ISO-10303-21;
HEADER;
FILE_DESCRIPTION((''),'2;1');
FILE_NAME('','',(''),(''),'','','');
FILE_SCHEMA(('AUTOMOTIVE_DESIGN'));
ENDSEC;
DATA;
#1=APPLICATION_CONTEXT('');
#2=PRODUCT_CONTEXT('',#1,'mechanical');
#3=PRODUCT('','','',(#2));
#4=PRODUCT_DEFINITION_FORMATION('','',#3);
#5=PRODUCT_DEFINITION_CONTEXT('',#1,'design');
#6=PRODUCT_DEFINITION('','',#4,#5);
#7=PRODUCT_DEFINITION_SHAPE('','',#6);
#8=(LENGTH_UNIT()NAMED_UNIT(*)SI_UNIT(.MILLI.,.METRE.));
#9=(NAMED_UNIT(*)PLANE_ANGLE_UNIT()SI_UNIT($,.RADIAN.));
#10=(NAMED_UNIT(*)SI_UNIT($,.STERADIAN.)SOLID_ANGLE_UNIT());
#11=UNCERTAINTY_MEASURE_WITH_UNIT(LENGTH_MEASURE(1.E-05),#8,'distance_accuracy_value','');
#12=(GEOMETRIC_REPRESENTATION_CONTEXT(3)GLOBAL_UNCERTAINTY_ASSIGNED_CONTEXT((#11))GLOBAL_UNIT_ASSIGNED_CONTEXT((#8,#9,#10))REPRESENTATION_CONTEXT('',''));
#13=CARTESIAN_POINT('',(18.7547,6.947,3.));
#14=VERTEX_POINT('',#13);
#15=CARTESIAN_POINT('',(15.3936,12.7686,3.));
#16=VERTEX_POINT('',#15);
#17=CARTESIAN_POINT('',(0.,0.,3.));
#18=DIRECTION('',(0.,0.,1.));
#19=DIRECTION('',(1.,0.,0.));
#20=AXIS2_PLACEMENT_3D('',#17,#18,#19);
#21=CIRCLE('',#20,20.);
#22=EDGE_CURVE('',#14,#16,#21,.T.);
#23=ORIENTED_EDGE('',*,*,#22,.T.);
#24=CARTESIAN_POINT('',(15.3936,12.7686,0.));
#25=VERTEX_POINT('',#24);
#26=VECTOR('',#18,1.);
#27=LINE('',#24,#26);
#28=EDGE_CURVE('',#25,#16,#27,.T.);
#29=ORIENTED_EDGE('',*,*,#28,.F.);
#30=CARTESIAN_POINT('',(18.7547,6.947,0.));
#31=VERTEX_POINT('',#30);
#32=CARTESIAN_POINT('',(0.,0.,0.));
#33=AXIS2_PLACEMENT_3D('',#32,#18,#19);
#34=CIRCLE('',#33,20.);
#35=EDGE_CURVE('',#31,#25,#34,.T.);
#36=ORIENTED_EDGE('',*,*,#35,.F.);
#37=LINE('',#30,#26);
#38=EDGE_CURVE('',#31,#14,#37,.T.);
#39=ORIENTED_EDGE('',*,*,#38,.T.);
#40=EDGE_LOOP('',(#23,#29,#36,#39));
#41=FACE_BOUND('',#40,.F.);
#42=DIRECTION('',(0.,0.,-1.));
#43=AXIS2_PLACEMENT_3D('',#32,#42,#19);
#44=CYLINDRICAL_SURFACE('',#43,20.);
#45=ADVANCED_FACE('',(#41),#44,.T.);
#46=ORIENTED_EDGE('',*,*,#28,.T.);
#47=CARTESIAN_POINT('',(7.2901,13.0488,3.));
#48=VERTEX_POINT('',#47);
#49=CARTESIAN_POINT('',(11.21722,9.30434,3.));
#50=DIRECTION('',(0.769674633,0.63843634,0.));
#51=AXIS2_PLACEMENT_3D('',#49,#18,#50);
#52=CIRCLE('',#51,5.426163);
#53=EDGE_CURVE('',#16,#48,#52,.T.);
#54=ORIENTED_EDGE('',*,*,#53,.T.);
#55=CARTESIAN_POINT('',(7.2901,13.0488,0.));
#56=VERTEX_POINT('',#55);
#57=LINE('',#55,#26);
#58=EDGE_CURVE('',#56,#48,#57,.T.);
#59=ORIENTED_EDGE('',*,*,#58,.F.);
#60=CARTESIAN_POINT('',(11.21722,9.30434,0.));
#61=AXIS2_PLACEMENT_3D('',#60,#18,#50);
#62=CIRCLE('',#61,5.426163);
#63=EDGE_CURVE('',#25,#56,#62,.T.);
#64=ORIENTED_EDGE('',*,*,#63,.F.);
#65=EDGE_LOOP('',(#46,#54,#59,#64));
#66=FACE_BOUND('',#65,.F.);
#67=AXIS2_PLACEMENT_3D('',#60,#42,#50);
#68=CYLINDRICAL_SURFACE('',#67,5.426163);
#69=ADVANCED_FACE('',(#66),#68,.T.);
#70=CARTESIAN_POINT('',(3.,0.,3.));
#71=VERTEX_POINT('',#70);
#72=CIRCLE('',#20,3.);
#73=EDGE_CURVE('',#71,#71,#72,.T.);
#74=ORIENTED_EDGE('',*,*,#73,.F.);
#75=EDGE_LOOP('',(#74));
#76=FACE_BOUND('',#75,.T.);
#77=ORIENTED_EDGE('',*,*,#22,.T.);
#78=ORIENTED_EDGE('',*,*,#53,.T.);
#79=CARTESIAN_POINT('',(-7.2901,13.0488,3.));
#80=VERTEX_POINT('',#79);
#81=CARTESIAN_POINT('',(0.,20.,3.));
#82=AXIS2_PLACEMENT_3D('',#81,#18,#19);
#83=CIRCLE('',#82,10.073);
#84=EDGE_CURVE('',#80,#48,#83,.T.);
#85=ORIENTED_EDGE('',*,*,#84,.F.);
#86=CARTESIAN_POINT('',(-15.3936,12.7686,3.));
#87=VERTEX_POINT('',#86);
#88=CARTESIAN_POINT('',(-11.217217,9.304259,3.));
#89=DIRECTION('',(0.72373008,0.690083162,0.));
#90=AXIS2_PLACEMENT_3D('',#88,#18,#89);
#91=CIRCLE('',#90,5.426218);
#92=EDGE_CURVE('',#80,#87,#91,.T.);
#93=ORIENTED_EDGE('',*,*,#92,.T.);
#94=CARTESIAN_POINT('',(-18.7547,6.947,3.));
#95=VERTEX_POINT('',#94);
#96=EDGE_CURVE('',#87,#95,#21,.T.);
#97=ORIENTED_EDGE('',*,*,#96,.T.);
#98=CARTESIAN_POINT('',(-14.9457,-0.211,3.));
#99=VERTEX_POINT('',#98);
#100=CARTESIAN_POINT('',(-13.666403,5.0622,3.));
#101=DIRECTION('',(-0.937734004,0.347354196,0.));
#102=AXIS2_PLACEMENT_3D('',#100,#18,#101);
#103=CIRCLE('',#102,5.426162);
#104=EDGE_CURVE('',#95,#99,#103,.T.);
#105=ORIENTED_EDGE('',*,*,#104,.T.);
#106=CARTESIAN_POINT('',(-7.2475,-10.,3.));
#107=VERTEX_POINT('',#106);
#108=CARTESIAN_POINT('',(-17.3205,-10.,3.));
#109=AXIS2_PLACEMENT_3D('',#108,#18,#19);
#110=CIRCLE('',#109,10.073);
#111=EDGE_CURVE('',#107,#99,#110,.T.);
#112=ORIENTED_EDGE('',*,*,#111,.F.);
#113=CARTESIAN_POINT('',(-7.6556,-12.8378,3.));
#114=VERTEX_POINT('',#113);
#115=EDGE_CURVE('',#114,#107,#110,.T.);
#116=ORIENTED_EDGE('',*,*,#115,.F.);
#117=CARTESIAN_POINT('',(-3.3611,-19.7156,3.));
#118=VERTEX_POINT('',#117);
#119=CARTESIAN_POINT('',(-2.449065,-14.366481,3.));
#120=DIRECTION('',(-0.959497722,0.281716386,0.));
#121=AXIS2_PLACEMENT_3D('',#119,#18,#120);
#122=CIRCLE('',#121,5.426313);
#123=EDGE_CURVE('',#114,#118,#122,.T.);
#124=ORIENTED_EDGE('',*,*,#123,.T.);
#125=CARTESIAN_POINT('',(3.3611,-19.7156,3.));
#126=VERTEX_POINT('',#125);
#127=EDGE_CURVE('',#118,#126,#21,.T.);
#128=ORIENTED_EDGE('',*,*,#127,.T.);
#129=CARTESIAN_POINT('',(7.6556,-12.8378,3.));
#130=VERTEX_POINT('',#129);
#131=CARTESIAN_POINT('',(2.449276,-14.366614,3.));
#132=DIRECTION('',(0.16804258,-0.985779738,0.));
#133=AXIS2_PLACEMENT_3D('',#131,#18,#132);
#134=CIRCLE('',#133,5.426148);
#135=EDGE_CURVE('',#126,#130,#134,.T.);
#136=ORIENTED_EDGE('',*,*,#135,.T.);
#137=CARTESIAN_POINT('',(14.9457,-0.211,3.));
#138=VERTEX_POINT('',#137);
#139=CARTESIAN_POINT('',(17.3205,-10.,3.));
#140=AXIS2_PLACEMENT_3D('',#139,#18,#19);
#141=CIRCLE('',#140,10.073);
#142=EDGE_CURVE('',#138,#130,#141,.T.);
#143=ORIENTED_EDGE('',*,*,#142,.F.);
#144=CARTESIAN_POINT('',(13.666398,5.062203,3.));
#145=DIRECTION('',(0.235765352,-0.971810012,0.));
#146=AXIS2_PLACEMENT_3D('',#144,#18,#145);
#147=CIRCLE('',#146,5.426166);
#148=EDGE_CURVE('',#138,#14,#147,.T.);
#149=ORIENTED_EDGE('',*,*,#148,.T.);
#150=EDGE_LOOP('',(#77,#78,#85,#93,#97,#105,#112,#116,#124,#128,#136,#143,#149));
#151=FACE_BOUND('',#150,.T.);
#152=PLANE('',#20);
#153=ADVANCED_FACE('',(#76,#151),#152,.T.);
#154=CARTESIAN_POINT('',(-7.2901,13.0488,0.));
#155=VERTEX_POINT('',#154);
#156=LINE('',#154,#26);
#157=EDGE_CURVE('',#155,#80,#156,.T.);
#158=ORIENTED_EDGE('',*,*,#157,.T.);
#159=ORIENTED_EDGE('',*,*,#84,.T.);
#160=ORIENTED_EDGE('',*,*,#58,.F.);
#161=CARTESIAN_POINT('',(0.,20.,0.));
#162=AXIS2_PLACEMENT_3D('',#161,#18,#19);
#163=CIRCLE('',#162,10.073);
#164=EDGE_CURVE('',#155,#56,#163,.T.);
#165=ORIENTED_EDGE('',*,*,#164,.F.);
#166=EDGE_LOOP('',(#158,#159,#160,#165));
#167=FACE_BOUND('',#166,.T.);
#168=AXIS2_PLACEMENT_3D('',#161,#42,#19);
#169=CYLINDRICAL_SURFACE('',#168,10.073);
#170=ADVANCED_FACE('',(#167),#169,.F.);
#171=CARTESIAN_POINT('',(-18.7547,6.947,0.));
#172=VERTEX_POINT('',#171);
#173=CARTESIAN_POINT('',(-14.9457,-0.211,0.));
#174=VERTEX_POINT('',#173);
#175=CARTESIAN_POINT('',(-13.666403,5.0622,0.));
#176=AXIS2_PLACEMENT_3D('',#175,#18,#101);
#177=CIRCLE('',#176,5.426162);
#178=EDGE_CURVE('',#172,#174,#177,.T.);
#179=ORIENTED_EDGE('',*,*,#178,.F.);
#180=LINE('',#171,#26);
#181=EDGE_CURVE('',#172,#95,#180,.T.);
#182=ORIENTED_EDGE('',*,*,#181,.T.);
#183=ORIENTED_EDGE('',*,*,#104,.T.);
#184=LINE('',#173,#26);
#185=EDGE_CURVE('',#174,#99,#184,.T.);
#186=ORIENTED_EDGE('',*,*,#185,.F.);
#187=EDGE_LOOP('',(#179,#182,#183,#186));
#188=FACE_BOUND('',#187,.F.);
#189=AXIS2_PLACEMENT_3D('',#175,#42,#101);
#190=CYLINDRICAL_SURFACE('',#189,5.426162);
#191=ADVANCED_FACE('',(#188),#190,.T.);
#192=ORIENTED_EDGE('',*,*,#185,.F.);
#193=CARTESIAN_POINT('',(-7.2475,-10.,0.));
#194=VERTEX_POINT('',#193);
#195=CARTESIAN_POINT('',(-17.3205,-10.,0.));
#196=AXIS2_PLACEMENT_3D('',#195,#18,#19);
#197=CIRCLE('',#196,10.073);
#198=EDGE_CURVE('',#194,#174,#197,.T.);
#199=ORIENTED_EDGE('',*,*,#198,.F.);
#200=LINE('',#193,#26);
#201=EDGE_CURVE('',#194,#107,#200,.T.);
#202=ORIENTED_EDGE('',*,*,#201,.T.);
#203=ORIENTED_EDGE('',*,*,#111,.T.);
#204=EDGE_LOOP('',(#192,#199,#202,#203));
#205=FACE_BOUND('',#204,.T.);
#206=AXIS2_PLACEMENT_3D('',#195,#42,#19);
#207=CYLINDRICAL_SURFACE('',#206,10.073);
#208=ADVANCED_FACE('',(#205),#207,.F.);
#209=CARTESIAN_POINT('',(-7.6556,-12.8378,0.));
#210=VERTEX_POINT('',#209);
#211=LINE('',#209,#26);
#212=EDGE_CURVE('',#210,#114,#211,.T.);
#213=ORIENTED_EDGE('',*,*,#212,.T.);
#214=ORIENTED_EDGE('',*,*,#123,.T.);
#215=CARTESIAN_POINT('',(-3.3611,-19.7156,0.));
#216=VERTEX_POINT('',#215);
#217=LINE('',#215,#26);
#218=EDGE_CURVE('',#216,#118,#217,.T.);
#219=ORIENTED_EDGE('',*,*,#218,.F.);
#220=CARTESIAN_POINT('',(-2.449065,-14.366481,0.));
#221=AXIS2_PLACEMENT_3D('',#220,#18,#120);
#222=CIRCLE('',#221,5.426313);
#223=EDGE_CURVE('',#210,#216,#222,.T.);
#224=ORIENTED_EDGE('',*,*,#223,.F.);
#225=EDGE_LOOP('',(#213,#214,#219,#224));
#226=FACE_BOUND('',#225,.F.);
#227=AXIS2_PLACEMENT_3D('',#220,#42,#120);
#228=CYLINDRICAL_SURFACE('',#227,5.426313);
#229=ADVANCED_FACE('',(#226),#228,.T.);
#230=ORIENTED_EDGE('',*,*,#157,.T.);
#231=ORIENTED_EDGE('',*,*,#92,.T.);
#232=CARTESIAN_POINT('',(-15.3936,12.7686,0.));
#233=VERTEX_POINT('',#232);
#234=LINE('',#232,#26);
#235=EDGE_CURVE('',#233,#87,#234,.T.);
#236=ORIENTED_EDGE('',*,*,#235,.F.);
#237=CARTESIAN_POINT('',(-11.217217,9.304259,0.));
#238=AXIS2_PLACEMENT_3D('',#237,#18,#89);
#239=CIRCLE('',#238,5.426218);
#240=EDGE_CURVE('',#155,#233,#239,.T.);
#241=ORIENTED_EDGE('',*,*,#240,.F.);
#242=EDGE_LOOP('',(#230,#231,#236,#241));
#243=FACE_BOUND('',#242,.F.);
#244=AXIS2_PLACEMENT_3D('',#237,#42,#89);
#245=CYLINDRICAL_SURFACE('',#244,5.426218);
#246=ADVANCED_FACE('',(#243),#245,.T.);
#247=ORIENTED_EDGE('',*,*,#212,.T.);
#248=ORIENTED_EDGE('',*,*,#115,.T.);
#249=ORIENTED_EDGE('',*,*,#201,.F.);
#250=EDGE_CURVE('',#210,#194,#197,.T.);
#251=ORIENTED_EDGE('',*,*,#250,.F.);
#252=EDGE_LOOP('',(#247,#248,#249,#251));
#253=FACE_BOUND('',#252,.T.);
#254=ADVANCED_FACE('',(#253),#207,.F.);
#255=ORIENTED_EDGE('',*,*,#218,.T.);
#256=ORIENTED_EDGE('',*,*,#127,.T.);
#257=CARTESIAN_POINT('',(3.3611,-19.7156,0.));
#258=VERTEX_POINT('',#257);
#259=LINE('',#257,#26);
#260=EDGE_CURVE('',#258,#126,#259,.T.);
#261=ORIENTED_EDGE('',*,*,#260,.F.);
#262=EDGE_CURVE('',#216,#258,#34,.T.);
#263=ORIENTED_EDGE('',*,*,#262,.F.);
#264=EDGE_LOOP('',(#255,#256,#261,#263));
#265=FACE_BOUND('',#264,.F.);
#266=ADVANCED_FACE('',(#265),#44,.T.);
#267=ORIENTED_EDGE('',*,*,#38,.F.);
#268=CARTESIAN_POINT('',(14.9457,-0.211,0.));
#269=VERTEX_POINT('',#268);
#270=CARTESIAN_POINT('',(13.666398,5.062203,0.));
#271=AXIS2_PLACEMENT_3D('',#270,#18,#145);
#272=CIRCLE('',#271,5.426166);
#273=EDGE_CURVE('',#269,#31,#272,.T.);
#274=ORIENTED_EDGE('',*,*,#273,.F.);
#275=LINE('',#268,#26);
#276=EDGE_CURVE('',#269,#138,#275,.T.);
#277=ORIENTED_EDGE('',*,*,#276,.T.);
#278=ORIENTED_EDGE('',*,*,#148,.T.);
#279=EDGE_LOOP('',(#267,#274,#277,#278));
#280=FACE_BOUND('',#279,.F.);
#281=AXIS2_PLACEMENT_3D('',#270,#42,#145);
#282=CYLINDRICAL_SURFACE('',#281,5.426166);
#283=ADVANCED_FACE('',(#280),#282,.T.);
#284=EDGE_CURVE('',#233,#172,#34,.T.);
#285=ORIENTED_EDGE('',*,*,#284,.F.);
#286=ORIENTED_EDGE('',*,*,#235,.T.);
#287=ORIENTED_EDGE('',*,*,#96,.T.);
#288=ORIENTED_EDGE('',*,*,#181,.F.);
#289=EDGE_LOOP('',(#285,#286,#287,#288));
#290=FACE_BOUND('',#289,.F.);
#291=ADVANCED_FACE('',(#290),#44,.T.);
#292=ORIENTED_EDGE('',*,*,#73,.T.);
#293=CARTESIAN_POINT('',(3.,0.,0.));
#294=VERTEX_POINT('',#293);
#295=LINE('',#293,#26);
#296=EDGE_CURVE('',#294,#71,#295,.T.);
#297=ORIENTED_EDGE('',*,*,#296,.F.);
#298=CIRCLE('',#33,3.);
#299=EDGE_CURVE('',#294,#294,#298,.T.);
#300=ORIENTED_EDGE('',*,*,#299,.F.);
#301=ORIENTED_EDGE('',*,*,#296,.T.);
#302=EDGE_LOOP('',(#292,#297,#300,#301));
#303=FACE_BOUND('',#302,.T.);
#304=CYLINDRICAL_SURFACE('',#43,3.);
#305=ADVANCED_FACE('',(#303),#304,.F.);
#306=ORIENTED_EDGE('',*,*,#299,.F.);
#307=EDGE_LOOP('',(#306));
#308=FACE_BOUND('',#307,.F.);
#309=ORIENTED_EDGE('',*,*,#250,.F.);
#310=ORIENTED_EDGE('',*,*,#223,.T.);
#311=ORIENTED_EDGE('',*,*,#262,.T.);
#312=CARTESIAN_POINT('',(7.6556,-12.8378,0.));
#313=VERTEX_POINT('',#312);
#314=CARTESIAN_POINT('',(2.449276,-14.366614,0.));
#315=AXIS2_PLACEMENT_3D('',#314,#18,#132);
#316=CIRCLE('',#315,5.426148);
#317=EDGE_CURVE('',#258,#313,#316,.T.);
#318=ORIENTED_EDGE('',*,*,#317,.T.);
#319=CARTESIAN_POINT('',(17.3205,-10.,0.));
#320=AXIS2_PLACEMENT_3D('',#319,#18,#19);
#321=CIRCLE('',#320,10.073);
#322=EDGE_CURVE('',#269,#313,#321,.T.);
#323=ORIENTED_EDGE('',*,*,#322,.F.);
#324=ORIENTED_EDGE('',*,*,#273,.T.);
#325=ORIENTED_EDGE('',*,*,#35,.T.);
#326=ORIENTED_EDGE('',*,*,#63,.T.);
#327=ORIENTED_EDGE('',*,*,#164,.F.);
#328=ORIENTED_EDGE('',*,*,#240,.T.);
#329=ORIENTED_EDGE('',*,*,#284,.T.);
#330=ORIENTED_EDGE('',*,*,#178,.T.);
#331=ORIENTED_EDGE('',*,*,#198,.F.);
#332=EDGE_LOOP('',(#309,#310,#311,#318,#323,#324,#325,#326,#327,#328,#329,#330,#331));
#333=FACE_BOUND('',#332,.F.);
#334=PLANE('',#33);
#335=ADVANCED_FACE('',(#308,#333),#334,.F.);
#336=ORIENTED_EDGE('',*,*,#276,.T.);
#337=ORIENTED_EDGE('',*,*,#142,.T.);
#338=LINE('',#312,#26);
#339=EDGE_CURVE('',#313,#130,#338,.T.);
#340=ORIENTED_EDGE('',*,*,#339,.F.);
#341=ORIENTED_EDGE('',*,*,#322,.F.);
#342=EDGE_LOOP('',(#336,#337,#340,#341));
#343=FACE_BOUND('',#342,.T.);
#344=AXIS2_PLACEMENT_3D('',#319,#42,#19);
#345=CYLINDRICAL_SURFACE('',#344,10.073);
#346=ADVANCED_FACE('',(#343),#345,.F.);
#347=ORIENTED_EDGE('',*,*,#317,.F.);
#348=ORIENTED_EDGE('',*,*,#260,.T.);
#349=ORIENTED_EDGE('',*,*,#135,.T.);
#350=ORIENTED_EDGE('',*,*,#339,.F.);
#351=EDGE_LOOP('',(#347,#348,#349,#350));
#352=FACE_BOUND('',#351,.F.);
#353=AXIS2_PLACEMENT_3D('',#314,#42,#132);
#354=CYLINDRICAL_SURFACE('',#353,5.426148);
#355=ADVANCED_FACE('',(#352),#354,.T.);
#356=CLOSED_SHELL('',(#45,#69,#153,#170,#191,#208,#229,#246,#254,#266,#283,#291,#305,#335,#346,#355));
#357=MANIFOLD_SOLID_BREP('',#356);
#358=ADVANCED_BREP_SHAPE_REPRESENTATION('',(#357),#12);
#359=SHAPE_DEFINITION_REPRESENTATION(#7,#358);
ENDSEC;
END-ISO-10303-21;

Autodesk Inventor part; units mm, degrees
ref_plane "YZ Plane" through (0, 0, 0) normal (1, 0, 0) x (0, 1, 0)
ref_plane "XZ Plane" through (0, 0, 0) normal (0, 1, 0) x (-1, 0, 0)
ref_plane "XY Plane" through (0, 0, 0) normal (0, 0, 1) x (1, 0, 0)
sketch "Sketch1" plane through (0, 0, 0) normal (0, 0, 1) x (1, 0, 0)
  circle A0 centre (0, 0) radius 3
  circle A1 centre (0, 0) radius 20
  circle A2 centre (0, 20) radius 10.073
  circle A3 centre (-17.3205, -10) radius 10.073
  circle A4 centre (17.3205, -10) radius 10.073
  arc A5 (-7.2901, 13.0488) -> (-15.3936, 12.7686) centre (-11.2172, 9.3043) ccw
  line L0 (0, 39.6436) -> (0, 33.3002) construction
  arc A6 (15.3936, 12.7686) -> (7.2901, 13.0488) centre (11.2172, 9.3043) ccw
  arc A7 (-7.6556, -12.8378) -> (-3.3611, -19.7156) centre (-2.4492, -14.3665) ccw
  arc A8 (-18.7547, 6.947) -> (-14.9457, -0.211) centre (-13.6664, 5.0622) ccw
  arc A9 (14.9457, -0.211) -> (18.7547, 6.947) centre (13.6664, 5.0622) ccw
  arc A10 (3.3611, -19.7156) -> (7.6556, -12.8378) centre (2.4492, -14.3665) ccw
  line L1 (0, 9.927) -> (-4.2832, 9.927) construction
  point P0 (7.3052, 13.0646)
  point P1 (-13.6431, 13.6431)
  point P2 (-14.9669, -0.2058)
  point P3 (-7.6556, -12.8378)
  point P4 (-13.6431, -13.6431)
  point P5 (7.6617, -12.8588)
  point P6 (14.9457, -0.211)
  point P7 (15.3936, 12.7686)
  point P8 (-3.3611, -19.7156)
  point P9 (3.3611, -19.7156)
  point P10 (18.7547, 6.947)
  dimension "d0" = 6
  dimension "d1" = 40
  dimension "d4" = 360
  dimension "d8" = 360
extrude "Extrusion1" add sketch "Sketch1" along normal blind 3 contours A9 A4 A10 A1 A7 A3 A8 A5 A2 A6
properties part number "knob"
